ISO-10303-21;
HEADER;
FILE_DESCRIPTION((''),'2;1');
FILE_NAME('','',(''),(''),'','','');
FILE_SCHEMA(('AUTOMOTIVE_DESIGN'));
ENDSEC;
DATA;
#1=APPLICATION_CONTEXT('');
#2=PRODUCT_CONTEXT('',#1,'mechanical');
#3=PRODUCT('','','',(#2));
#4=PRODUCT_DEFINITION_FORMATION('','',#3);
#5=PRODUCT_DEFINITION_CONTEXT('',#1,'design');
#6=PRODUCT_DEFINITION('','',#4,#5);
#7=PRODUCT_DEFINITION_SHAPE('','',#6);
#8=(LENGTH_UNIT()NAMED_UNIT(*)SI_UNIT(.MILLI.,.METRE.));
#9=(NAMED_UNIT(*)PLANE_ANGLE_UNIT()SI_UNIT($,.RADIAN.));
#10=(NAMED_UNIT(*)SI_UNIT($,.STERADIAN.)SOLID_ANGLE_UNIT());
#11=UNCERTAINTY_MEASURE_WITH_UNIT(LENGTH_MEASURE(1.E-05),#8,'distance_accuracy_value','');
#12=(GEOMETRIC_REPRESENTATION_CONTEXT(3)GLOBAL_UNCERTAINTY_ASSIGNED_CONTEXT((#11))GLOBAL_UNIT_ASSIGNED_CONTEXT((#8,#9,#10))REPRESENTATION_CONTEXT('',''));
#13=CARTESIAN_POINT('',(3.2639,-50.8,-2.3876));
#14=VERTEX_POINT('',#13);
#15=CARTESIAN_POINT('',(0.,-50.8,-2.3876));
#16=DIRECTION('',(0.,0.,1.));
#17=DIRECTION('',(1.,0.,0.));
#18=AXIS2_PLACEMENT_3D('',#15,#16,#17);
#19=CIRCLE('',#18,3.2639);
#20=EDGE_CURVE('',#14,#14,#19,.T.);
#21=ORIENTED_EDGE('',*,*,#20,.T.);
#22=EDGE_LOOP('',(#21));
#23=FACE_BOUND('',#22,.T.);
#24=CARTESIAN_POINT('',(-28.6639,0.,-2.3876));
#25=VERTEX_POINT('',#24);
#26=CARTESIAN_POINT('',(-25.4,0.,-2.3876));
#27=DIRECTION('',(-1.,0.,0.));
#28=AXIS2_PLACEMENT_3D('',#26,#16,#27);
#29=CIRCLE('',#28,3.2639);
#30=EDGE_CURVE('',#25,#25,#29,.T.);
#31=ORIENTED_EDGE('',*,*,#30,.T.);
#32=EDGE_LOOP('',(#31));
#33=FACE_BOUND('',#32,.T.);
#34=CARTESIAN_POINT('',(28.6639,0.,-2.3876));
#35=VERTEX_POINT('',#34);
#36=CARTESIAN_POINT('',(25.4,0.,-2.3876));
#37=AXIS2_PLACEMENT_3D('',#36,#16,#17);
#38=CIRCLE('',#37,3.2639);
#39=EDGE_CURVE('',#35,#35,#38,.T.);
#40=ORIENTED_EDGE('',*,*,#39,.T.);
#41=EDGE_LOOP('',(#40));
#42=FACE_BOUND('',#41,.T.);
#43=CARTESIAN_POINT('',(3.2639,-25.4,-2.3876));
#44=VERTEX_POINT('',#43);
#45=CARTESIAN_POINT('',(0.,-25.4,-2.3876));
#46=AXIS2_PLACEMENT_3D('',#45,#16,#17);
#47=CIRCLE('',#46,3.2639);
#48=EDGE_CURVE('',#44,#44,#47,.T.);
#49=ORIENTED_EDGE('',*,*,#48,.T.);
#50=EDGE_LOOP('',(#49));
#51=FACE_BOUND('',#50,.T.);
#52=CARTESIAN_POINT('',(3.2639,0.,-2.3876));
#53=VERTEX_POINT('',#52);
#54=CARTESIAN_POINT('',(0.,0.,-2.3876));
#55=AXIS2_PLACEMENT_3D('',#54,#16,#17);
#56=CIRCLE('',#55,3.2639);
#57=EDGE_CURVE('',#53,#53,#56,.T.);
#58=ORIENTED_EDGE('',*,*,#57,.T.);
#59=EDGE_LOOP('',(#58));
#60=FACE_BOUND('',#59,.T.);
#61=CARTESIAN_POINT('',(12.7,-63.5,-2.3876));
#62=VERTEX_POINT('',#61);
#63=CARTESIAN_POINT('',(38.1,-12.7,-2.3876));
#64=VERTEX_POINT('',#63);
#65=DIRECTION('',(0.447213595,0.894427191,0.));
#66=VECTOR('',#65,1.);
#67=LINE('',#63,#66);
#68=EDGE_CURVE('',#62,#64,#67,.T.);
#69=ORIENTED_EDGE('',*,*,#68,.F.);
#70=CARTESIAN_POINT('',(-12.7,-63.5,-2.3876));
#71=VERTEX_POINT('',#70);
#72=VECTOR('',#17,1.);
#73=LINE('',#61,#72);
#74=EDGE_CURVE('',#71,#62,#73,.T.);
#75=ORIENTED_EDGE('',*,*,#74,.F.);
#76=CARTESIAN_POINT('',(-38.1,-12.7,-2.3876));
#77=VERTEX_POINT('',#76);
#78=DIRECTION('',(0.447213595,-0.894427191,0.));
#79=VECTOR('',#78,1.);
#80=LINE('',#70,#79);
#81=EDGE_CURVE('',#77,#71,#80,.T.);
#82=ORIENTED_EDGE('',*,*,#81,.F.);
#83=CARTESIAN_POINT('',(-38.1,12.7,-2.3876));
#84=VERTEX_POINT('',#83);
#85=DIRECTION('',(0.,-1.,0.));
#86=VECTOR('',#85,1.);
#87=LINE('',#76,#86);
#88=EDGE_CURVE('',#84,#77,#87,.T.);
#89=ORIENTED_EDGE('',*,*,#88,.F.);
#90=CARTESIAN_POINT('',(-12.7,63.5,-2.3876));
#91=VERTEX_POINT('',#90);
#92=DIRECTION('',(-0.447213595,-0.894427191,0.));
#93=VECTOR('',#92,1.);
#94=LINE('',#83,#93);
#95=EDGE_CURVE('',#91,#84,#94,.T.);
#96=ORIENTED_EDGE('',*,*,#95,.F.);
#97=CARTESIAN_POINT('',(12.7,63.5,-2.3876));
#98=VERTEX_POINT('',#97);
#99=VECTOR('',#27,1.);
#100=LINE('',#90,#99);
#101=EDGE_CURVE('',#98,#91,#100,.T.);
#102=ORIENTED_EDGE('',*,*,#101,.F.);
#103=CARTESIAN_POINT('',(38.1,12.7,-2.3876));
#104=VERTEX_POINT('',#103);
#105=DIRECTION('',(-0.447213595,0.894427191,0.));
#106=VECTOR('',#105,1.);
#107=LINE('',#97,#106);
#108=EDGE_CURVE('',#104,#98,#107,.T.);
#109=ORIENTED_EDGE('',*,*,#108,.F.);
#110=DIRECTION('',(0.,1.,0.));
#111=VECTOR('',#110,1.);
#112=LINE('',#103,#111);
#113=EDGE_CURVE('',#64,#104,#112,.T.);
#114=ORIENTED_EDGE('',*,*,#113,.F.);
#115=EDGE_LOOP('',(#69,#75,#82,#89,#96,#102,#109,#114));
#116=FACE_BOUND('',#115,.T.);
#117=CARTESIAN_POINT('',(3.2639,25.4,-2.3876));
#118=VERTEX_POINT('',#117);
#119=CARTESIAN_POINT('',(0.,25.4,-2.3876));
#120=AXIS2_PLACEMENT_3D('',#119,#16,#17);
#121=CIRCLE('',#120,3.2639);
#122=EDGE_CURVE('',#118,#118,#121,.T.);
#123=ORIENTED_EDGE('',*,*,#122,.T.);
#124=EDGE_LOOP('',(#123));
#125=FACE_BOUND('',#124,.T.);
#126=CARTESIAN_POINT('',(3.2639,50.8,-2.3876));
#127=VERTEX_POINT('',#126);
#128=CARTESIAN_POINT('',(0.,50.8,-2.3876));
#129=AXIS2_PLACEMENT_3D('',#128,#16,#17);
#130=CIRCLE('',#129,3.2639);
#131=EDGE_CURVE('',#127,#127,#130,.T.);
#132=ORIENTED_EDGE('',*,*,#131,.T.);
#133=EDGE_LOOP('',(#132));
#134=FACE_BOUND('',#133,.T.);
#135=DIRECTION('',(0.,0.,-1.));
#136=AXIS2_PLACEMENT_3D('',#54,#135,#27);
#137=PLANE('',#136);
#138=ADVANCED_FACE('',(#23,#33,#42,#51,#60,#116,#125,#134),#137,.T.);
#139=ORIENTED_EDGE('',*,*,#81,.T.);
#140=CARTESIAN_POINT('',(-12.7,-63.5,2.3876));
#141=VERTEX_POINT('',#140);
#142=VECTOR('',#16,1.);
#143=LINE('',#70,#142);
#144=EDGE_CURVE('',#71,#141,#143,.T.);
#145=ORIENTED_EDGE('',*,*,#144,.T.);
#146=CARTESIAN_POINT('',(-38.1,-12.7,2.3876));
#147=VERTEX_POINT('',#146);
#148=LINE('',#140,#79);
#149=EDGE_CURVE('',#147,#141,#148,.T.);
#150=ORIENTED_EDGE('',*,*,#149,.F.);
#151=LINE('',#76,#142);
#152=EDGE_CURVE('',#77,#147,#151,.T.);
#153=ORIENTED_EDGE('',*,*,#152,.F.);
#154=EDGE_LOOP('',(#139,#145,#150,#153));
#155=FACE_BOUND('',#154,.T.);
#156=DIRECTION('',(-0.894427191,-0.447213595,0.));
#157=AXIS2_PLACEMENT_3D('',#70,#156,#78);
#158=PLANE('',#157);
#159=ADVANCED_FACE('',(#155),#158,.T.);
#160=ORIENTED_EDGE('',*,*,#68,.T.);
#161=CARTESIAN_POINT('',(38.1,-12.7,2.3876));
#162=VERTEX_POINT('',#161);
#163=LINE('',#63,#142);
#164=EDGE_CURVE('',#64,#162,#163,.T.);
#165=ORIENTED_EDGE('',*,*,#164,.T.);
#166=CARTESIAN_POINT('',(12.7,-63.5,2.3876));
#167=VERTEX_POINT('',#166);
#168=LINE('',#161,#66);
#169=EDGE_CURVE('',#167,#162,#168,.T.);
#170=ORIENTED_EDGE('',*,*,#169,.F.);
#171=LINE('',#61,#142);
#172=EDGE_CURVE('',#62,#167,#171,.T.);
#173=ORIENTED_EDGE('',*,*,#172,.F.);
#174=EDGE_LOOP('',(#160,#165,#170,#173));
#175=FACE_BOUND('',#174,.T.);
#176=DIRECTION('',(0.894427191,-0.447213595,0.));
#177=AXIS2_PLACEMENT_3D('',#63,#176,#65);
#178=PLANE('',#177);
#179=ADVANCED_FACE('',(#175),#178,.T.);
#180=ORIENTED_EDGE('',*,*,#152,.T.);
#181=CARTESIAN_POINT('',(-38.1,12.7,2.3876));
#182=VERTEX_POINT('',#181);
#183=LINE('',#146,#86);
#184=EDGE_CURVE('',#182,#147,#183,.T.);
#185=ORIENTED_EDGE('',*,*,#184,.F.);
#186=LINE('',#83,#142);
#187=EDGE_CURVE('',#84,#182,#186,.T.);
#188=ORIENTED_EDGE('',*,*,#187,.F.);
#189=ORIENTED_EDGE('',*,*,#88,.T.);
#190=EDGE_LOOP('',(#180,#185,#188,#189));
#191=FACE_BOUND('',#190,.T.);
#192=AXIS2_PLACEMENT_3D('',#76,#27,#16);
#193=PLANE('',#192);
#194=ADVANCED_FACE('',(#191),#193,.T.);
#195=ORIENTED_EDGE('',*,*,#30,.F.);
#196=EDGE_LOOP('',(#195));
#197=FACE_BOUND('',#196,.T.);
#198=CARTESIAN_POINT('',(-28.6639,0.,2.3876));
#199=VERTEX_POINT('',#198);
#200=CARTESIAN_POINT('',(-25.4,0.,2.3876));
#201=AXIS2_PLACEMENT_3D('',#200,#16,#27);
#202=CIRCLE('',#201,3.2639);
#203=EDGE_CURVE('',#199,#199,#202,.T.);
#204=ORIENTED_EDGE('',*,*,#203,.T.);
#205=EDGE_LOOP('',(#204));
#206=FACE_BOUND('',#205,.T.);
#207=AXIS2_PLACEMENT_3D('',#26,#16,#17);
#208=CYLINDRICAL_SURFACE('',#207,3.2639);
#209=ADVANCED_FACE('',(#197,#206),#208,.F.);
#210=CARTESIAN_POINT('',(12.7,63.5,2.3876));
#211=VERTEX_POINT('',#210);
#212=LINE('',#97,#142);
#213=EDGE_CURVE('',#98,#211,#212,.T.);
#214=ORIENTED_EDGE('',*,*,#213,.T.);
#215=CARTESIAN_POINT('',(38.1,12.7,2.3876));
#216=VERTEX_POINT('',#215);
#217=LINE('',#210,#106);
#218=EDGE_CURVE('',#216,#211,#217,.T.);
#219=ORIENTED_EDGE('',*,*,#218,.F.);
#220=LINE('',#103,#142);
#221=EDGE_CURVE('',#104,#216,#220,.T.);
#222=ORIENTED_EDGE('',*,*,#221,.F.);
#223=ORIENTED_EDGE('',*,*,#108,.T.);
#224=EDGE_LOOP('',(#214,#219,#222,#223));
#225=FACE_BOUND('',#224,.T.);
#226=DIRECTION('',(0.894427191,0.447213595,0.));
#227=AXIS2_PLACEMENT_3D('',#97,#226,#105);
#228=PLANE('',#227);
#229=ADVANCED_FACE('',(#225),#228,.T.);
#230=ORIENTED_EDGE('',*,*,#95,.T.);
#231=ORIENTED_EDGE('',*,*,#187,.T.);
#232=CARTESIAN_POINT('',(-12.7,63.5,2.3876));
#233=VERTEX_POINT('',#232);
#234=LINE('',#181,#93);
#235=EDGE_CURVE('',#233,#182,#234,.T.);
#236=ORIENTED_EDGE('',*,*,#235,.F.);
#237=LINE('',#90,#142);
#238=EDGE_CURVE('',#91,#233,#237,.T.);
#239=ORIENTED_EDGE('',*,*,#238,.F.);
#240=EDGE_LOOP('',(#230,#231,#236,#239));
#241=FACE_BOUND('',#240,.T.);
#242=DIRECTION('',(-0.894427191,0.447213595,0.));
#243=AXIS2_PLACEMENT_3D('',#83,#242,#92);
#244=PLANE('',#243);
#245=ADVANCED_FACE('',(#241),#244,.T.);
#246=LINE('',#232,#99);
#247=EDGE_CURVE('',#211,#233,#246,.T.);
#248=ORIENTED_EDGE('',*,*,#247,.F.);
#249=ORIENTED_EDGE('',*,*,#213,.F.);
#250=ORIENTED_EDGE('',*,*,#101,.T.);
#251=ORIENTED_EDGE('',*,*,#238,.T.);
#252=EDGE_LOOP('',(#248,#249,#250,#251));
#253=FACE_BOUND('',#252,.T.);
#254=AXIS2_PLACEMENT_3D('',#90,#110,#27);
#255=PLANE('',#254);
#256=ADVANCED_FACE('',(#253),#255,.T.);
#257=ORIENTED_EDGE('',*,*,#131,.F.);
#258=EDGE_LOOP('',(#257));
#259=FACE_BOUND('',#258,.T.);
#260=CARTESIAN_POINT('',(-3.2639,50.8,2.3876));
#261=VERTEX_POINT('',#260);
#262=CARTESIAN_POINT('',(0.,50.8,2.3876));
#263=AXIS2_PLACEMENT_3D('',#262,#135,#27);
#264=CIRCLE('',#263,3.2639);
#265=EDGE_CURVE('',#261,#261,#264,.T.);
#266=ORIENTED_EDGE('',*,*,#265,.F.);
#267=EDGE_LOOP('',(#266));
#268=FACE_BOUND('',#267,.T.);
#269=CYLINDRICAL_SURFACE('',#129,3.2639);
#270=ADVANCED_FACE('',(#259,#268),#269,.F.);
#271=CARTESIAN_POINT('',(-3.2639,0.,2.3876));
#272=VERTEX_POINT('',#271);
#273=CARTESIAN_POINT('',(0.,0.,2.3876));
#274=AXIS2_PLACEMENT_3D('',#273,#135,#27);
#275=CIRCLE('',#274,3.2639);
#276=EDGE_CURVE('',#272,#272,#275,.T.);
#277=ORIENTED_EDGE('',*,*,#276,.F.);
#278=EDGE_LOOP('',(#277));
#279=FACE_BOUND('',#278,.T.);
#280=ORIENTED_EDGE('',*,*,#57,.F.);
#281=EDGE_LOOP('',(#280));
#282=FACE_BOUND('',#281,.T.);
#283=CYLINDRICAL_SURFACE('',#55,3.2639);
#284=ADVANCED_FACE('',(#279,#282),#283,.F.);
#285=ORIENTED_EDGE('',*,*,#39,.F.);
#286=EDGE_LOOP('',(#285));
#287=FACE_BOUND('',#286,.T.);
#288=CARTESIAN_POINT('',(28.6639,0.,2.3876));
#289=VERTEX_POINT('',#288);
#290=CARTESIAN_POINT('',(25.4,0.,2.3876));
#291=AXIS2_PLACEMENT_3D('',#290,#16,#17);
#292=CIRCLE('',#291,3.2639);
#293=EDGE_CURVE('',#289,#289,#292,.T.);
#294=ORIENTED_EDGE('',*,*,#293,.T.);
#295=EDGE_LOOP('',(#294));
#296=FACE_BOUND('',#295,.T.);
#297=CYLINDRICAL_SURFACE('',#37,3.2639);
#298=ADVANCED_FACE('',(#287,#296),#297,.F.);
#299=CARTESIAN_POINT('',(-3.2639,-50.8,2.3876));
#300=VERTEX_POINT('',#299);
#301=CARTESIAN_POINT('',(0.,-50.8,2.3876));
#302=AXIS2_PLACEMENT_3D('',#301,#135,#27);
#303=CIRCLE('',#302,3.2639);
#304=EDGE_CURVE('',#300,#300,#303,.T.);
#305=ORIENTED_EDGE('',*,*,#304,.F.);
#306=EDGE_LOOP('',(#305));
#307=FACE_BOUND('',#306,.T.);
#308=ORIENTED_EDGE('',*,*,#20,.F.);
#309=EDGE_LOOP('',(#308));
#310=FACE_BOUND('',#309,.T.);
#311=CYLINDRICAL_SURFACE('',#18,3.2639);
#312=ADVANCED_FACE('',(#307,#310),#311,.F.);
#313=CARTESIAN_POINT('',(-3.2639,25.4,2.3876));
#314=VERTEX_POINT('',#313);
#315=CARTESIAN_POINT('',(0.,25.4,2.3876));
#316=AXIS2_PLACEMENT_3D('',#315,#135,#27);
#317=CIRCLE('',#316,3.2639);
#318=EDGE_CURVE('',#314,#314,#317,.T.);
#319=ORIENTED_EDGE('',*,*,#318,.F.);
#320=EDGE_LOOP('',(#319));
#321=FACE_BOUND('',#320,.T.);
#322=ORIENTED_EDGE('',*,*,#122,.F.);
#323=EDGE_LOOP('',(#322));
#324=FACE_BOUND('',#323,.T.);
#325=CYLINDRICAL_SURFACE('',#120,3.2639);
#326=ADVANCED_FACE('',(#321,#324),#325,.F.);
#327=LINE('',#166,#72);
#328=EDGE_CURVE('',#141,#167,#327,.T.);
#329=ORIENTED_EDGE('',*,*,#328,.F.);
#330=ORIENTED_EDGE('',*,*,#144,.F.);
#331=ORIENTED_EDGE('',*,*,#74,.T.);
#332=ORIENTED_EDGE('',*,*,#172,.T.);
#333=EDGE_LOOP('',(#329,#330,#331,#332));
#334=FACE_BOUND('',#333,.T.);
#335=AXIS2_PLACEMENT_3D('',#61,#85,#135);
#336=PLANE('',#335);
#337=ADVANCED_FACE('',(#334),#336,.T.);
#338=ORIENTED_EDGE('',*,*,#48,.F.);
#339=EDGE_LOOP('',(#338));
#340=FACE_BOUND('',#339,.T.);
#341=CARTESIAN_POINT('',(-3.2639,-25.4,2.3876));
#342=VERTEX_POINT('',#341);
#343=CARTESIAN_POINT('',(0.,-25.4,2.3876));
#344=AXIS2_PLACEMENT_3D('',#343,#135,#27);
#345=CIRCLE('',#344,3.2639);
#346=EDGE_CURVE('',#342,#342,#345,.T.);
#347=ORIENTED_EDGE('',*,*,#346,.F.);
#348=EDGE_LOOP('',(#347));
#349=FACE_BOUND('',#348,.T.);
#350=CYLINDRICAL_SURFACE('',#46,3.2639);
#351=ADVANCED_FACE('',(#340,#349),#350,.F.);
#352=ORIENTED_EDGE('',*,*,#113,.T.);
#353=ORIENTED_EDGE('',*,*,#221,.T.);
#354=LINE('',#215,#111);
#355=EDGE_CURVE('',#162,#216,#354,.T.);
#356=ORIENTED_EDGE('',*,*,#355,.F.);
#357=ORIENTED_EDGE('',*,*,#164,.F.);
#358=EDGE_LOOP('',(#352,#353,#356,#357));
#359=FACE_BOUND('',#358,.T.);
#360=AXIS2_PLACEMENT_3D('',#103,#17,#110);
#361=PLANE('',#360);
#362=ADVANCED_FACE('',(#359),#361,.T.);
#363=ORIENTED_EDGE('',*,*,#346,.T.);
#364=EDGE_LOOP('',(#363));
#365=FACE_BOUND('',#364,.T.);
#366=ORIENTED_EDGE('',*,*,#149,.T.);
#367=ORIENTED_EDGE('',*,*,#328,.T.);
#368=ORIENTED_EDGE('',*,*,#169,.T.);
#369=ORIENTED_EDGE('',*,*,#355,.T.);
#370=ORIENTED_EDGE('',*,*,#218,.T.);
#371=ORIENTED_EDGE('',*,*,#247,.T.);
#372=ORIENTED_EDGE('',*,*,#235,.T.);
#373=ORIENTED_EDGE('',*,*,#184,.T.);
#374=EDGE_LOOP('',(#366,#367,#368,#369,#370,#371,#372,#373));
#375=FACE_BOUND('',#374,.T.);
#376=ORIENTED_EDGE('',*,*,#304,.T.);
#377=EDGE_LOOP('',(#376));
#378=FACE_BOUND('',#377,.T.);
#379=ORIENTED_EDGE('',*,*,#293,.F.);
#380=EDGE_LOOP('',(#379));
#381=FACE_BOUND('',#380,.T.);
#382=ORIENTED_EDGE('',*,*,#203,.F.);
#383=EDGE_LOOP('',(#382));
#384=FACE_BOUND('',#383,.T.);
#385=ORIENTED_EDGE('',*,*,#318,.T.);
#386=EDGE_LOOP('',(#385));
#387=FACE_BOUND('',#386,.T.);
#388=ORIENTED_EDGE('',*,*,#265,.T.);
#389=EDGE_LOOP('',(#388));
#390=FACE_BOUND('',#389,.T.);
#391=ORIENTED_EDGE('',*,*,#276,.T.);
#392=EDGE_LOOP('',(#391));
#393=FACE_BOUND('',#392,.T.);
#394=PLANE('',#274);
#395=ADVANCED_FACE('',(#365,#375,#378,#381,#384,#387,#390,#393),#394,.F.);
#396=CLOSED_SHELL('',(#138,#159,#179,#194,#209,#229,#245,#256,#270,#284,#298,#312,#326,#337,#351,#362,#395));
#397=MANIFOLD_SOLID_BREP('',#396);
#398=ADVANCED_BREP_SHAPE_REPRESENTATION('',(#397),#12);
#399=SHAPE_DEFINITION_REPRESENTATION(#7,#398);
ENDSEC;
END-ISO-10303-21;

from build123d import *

# Parameters (mm, degrees)
BOSS_EXTRUDE1_DEPTH      = 2.3876
BOSS_EXTRUDE1_DEPTH_BACK = 2.3876
SKETCH4_R                = 3.2639
CUT_EXTRUDE1_DEPTH       = 1
CUT_EXTRUDE1_DEPTH_BACK  = 5.7752
SKETCH5_R                = 3.2639
CUT_EXTRUDE2_DEPTH       = 5.7752


with BuildPart() as part:
    # Sketch3 → Boss-Extrude1 (new body, two sides)
    with BuildSketch(Plane.XY) as boss_extrude1_sk:
        Polygon((-12.7, 63.5), (12.7, 63.5), (38.1, 12.7), (38.1, -12.7), (12.7, -63.5), (-12.7, -63.5), (-38.1, -12.7), (-38.1, 12.7), align=None)
    extrude(amount=BOSS_EXTRUDE1_DEPTH)
    extrude(boss_extrude1_sk.sketch, amount=-BOSS_EXTRUDE1_DEPTH_BACK)

    # Sketch4 → Cut-Extrude1 (cut, two sides)
    with BuildSketch(Plane.XY.offset(2.3876)) as cut_extrude1_sk:
        with Locations((0, 50.8)):
            Circle(SKETCH4_R)
        with Locations((0, 25.4)):
            Circle(SKETCH4_R)
        Circle(SKETCH4_R)
        with Locations((0, -25.4)):
            Circle(SKETCH4_R)
        with Locations((0, -50.8)):
            Circle(SKETCH4_R)
    extrude(amount=CUT_EXTRUDE1_DEPTH, mode=Mode.SUBTRACT)
    extrude(cut_extrude1_sk.sketch, amount=-CUT_EXTRUDE1_DEPTH_BACK, mode=Mode.SUBTRACT)

    # Sketch5 → Cut-Extrude2 (cut, through all)
    with BuildSketch(Plane.XY.offset(2.3876)):
        with Locations((25.4, 0)):
            Circle(SKETCH5_R)
        with Locations((-25.4, 0)):
            Circle(SKETCH5_R)
    extrude(amount=-CUT_EXTRUDE2_DEPTH, mode=Mode.SUBTRACT)


solid = part.part
